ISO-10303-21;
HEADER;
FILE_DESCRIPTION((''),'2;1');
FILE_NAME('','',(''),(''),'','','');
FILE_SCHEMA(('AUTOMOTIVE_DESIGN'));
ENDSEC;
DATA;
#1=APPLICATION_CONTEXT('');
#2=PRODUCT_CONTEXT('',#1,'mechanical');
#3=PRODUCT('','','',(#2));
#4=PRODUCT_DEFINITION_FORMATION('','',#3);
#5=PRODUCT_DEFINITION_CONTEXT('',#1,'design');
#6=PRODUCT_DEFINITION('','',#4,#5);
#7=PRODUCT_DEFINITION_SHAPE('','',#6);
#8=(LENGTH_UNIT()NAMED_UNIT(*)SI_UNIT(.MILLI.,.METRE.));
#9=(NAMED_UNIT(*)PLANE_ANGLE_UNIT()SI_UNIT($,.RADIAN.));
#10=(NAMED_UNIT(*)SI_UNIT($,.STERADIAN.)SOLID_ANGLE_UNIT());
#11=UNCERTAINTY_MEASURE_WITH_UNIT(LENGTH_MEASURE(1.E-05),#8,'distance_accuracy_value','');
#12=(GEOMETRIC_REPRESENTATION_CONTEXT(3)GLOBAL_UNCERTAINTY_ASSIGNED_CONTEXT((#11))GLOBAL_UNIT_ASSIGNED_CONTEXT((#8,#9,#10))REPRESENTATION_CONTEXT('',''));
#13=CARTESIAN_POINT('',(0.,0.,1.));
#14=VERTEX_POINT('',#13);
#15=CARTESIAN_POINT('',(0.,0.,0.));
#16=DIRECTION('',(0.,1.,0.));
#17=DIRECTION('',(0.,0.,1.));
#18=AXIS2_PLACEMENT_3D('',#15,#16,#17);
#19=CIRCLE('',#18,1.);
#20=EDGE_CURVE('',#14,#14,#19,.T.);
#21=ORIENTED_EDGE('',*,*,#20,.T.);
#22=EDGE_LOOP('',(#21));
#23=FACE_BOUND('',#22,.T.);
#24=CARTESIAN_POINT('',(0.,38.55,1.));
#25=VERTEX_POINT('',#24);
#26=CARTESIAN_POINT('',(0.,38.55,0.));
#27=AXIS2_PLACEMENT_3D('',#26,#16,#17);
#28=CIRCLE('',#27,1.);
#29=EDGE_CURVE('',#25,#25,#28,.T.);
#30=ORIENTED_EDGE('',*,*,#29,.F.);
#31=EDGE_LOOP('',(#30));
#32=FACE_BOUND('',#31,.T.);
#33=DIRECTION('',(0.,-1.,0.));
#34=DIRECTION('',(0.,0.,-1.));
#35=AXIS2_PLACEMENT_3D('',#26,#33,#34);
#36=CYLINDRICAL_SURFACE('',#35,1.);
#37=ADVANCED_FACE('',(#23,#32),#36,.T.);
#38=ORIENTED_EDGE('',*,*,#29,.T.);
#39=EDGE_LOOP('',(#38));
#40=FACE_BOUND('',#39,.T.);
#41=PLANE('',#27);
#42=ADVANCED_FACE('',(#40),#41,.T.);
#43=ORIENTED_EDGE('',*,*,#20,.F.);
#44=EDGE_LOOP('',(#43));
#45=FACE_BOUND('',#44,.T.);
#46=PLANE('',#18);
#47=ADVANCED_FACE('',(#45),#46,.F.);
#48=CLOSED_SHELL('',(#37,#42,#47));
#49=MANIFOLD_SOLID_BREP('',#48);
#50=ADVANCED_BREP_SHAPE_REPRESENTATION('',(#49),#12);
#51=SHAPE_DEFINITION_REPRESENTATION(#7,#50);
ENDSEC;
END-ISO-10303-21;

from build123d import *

# Parameters (mm, degrees)
SKETCH1_R           = 1
BOSS_EXTRUDE1_DEPTH = 38.55


with BuildPart() as part:
    # Sketch1 → Boss-Extrude1 (new body)
    with BuildSketch(Plane(origin=(0, 0, 0), x_dir=(1, 0, 0), z_dir=(0, 1, 0))):
        Circle(SKETCH1_R)
    extrude(amount=BOSS_EXTRUDE1_DEPTH)


solid = part.part
